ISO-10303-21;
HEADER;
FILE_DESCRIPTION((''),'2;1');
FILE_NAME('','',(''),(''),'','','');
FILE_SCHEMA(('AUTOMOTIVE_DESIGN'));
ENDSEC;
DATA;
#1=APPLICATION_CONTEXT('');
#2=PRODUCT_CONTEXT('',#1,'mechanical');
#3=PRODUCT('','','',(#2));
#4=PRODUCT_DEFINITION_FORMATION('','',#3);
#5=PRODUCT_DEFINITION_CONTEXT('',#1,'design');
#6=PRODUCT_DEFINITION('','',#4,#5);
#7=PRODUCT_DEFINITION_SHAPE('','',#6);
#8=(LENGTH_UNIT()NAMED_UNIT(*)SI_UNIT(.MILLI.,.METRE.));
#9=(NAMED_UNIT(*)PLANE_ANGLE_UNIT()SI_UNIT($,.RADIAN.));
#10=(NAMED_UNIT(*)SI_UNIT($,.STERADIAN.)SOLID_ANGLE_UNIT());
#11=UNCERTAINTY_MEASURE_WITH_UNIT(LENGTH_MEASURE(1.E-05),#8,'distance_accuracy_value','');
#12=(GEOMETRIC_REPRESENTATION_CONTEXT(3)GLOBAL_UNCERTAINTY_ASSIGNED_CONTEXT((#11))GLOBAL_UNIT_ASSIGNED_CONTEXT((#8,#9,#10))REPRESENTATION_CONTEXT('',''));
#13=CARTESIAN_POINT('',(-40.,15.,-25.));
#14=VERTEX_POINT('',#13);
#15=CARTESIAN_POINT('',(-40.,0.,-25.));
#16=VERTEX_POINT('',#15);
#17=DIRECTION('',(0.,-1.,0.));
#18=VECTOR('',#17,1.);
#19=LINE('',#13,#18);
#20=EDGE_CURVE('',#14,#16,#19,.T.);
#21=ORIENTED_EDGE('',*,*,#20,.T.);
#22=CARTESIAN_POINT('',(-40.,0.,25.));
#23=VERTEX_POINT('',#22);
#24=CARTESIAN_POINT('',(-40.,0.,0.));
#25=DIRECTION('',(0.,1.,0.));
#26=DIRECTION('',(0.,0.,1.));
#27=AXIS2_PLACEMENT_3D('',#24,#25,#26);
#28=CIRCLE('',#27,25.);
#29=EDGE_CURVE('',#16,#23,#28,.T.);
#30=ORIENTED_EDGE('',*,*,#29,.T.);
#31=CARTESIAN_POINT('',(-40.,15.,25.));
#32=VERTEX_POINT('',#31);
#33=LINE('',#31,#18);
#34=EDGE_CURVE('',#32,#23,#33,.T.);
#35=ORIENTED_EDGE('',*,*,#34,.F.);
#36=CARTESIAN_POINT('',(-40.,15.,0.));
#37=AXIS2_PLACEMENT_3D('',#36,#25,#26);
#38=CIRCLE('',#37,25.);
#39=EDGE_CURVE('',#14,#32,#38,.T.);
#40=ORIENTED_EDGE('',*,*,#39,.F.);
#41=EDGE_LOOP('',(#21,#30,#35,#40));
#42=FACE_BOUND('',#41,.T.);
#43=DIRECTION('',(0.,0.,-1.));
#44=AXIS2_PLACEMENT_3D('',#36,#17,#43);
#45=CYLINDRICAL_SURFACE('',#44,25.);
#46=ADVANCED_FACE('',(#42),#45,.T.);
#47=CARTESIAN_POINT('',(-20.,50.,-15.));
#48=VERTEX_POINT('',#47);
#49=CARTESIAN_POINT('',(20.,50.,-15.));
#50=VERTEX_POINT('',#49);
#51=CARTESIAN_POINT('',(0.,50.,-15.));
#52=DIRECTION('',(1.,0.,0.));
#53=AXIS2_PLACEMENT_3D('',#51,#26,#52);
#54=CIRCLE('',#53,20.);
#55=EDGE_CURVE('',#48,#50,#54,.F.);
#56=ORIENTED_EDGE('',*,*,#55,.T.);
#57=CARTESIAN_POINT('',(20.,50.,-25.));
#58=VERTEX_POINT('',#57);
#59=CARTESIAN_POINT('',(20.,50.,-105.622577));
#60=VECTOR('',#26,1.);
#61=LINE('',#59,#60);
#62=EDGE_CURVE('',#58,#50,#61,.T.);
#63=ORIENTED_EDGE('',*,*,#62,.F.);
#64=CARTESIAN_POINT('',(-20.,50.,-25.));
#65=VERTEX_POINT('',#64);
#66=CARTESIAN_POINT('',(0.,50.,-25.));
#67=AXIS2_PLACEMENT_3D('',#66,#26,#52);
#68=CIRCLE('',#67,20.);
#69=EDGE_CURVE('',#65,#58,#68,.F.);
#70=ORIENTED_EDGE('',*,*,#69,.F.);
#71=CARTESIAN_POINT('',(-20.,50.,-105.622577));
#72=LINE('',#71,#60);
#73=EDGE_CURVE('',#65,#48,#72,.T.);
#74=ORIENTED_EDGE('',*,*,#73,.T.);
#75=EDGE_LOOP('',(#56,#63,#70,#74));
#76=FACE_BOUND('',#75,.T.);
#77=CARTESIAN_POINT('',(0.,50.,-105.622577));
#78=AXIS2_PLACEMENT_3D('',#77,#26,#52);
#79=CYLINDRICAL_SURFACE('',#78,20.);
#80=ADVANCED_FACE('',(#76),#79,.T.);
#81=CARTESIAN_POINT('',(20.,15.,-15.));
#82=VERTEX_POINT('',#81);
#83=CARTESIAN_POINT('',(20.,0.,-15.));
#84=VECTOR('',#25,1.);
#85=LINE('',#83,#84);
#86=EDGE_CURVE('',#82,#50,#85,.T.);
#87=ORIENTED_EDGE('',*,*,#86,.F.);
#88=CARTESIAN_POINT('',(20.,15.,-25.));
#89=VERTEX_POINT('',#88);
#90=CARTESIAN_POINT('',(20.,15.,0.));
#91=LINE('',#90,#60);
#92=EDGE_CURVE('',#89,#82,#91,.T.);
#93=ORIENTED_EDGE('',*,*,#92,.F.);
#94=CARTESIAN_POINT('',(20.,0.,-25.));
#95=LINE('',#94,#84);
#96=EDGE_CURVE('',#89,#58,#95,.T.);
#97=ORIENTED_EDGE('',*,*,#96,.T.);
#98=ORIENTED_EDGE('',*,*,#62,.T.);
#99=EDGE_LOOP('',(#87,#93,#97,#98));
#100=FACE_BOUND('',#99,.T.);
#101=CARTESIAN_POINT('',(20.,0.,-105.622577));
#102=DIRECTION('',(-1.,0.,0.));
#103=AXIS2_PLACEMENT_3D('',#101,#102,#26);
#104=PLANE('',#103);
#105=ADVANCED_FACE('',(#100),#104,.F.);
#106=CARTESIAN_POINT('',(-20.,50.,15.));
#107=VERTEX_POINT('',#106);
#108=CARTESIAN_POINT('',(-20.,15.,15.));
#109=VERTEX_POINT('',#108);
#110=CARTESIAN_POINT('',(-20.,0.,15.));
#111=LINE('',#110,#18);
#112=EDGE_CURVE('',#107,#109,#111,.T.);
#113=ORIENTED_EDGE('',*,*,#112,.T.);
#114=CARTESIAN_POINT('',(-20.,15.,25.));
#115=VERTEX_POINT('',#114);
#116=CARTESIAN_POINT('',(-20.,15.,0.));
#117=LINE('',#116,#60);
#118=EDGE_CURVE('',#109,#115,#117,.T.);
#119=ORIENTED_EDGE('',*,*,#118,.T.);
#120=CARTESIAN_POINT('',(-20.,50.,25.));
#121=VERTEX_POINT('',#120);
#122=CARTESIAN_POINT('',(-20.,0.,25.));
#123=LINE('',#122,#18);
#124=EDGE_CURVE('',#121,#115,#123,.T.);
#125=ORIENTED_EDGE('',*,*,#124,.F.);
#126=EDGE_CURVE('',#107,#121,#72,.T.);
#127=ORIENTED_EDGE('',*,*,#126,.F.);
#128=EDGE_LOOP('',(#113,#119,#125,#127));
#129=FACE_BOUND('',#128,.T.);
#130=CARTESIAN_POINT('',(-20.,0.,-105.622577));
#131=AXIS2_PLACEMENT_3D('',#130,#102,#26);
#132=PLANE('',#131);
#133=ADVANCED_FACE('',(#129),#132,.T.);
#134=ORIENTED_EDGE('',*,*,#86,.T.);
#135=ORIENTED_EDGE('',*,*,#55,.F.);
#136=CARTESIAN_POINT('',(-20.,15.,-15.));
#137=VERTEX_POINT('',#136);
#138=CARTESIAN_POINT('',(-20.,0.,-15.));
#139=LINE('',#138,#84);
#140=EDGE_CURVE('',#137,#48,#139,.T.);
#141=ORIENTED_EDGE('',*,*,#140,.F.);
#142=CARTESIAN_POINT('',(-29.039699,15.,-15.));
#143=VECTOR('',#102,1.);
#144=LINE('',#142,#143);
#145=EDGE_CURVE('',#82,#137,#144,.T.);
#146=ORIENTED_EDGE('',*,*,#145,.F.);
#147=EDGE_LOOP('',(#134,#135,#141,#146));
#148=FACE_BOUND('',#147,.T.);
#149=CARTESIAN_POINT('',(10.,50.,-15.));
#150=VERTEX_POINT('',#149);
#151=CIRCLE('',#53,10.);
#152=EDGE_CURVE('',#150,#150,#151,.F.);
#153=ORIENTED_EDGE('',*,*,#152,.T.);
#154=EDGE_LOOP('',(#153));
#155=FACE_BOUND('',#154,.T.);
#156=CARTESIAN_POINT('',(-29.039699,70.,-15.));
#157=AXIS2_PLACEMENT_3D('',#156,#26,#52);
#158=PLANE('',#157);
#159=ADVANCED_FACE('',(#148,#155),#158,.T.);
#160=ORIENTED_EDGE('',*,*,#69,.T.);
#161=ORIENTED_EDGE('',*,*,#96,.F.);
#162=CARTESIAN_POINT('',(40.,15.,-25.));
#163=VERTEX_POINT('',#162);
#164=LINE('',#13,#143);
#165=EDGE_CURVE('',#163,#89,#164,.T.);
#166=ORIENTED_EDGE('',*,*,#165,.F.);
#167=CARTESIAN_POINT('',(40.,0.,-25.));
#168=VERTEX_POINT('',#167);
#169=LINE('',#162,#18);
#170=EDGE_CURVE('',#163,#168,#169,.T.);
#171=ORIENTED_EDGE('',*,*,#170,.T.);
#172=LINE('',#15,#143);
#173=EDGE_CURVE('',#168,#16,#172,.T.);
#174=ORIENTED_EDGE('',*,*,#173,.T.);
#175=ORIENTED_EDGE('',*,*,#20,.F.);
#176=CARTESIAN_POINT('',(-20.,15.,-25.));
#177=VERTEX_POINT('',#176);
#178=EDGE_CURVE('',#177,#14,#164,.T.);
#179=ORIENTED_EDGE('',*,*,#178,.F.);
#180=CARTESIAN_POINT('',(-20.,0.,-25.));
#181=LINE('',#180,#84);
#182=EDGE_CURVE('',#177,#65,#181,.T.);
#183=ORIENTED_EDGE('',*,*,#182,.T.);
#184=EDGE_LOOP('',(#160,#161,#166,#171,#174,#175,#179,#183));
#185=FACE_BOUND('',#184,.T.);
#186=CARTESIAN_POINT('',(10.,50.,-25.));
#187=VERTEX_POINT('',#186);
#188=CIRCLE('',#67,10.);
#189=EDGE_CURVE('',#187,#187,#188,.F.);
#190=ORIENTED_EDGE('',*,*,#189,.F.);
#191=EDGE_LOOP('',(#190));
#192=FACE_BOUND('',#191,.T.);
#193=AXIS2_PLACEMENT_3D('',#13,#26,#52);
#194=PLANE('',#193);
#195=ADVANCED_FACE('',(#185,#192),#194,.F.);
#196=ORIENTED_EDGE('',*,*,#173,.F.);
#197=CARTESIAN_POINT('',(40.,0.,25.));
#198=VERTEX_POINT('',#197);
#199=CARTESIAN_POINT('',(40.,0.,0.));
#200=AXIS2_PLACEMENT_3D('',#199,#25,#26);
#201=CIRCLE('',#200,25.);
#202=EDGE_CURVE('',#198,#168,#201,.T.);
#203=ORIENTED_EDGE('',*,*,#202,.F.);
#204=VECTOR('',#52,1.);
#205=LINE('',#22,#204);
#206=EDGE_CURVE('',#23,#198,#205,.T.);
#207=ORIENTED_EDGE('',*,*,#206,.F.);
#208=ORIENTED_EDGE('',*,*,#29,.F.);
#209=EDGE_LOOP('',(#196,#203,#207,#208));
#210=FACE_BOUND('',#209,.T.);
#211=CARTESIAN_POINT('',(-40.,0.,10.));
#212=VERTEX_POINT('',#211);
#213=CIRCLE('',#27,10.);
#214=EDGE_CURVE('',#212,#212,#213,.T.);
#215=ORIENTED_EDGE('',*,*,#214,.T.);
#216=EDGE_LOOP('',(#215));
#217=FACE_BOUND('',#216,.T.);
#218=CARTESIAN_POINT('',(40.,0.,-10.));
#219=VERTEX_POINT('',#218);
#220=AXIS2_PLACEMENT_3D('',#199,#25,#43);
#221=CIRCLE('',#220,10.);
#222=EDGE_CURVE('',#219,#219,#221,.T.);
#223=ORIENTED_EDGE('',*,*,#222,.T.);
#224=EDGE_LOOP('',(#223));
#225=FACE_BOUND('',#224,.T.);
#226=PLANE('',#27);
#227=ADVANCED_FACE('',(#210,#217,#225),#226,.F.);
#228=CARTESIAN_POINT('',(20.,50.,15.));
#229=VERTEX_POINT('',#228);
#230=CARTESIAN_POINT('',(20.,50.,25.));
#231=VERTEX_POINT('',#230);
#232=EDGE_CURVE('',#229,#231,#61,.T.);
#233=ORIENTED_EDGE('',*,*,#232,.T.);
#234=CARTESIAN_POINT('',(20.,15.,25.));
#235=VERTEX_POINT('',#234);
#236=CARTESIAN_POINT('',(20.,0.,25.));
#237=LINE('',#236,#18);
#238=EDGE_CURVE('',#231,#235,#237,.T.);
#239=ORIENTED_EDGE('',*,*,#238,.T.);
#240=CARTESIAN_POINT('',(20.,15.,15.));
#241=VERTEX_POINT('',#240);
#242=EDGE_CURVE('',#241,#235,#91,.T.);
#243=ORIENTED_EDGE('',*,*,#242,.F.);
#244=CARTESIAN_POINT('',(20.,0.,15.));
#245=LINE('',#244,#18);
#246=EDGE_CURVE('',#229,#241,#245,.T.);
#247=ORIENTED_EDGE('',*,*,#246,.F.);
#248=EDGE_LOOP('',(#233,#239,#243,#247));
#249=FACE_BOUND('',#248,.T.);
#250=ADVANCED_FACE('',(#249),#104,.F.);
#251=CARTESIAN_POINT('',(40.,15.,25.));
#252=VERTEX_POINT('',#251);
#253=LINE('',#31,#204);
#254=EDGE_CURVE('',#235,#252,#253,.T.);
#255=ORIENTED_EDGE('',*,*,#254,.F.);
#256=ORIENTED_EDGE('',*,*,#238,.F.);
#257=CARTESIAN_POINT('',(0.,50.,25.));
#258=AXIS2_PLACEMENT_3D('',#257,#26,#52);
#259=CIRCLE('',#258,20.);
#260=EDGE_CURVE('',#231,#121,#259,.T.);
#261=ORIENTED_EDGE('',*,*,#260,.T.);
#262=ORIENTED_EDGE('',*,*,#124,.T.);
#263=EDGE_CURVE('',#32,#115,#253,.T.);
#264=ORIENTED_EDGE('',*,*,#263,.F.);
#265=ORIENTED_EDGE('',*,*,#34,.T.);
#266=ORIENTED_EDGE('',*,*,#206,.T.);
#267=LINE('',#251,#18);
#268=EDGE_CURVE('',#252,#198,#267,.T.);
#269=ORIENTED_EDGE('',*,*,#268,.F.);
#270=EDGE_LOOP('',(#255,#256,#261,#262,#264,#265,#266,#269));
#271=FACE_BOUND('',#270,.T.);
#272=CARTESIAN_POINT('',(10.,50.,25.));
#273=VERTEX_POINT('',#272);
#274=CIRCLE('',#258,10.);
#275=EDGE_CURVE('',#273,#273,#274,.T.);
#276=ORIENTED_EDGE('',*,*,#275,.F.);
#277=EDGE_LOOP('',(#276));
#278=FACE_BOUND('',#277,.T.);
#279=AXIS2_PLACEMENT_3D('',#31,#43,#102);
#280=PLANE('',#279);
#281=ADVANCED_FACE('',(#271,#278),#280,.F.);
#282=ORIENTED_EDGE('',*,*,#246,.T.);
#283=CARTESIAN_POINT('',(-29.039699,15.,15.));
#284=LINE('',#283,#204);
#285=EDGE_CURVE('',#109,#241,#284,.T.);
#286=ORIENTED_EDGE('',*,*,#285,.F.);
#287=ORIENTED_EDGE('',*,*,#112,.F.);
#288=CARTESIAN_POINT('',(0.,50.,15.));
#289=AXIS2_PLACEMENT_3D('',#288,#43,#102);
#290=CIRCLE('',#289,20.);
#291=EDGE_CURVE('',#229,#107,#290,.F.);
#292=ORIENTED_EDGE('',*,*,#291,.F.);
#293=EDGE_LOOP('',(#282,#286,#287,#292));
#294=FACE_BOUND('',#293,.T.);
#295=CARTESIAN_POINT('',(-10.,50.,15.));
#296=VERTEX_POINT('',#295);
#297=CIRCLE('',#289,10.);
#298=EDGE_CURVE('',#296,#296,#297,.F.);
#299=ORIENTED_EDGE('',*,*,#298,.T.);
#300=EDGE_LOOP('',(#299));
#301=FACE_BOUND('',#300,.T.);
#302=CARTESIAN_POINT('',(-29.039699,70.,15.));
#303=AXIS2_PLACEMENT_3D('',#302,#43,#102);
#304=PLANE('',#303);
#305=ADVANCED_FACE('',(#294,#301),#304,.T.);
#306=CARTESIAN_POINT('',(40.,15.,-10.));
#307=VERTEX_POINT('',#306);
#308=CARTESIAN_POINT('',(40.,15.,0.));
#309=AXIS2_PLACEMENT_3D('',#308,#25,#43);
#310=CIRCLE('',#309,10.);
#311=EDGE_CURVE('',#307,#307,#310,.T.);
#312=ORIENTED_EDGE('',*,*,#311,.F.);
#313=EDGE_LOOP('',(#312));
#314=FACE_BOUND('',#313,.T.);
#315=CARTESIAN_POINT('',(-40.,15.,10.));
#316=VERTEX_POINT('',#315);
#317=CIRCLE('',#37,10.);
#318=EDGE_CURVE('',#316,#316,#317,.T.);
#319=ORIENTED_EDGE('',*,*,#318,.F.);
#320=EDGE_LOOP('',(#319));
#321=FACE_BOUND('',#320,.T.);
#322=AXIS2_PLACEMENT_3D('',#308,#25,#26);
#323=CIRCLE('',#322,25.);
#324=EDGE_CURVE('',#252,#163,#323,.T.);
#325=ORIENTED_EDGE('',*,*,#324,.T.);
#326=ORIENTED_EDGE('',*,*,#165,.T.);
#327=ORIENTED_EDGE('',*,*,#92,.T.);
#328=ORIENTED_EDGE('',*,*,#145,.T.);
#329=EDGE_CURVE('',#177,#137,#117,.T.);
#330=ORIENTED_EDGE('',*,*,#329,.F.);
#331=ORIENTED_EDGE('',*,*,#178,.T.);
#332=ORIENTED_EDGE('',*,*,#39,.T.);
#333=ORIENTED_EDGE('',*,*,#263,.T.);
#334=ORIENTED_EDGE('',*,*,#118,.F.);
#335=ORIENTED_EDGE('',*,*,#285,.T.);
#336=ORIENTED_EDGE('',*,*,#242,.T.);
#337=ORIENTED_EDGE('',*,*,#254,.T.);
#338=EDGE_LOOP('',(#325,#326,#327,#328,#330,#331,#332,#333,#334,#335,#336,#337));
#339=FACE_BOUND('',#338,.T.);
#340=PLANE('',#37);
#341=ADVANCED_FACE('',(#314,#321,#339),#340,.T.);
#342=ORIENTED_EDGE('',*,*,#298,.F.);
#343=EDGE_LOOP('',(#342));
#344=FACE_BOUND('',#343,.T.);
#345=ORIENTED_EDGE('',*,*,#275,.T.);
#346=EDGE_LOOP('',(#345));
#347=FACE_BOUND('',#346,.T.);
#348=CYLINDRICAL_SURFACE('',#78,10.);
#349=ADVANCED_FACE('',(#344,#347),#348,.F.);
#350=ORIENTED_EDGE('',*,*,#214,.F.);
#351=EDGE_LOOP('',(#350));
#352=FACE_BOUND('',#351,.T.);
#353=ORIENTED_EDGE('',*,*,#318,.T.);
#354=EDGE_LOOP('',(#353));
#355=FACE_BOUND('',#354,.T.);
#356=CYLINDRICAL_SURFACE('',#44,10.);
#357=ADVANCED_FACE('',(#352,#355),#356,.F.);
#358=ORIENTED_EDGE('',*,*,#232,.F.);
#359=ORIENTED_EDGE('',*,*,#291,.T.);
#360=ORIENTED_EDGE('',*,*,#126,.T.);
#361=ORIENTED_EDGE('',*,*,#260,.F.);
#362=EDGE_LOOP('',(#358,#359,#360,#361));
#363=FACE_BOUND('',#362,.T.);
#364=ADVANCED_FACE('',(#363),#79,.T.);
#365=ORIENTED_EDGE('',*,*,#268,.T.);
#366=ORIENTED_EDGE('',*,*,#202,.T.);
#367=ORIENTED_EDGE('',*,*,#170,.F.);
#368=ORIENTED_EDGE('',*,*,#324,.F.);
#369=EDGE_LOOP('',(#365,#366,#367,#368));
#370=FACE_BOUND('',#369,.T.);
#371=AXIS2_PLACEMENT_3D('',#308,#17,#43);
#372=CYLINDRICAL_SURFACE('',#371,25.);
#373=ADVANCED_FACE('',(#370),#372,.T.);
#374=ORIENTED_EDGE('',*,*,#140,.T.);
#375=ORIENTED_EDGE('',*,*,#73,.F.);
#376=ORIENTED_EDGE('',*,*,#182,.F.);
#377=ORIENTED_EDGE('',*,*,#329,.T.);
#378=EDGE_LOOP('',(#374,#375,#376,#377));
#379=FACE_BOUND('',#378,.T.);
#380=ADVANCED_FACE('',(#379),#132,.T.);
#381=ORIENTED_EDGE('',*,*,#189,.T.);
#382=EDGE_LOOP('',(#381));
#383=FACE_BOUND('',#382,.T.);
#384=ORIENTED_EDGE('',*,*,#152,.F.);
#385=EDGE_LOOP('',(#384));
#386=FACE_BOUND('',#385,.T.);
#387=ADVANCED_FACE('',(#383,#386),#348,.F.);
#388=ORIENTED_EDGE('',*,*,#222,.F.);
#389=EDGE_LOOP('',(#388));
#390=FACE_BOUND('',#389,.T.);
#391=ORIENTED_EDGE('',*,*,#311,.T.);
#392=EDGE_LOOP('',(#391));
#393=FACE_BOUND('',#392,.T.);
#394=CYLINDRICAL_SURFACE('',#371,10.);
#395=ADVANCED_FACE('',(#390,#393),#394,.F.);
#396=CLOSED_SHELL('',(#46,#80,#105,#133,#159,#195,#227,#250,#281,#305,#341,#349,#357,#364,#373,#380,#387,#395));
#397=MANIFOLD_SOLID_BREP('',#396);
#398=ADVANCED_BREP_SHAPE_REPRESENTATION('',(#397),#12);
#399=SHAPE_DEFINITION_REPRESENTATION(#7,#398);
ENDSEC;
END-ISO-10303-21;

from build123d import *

# Parameters (mm, degrees)
SKETCH1_R           = 10
BOSS_EXTRUDE1_DEPTH = 15
SKETCH2_R           = 10
BOSS_EXTRUDE2_DEPTH = 50
SKETCH3_W           = 58.079398224
SKETCH3_H           = 30
CUT_EXTRUDE1_DEPTH  = 56


with BuildPart() as part:
    # Sketch1 → Boss-Extrude1 (new body)
    with BuildSketch(Plane(origin=(0, 0, 0), x_dir=(1, 0, 0), z_dir=(0, 1, 0))):
        with BuildLine():
            Line((-40, 25), (40, 25))
            ThreePointArc((40, 25), (65, 0), (40, -25))
            Line((40, -25), (-40, -25))
            ThreePointArc((-40, -25), (-65, 0), (-40, 25))
        make_face()
        with Locations((-40, 0)):
            Circle(SKETCH1_R, mode=Mode.SUBTRACT)
        with Locations((40, 0)):
            Circle(SKETCH1_R, mode=Mode.SUBTRACT)
    extrude(amount=BOSS_EXTRUDE1_DEPTH)

    # Sketch2 → Boss-Extrude2 (add)
    with BuildSketch(Plane.XY.offset(25)):
        with BuildLine():
            ThreePointArc((20, 50), (0, 70), (-20, 50))
            Line((-20, 50), (-20, 0))
            Line((-20, 0), (20, 0))
            Line((20, 0), (20, 50))
        make_face()
        with Locations((0, 50)):
            Circle(SKETCH2_R, mode=Mode.SUBTRACT)
    extrude(amount=-BOSS_EXTRUDE2_DEPTH)

    # Sketch3 → Cut-Extrude1 (cut, through all)
    with BuildSketch(Plane(origin=(0, 15, 0), x_dir=(1, 0, 0), z_dir=(0, 1, 0))):
        Rectangle(SKETCH3_W, SKETCH3_H)
    extrude(amount=CUT_EXTRUDE1_DEPTH, mode=Mode.SUBTRACT)


solid = part.part
